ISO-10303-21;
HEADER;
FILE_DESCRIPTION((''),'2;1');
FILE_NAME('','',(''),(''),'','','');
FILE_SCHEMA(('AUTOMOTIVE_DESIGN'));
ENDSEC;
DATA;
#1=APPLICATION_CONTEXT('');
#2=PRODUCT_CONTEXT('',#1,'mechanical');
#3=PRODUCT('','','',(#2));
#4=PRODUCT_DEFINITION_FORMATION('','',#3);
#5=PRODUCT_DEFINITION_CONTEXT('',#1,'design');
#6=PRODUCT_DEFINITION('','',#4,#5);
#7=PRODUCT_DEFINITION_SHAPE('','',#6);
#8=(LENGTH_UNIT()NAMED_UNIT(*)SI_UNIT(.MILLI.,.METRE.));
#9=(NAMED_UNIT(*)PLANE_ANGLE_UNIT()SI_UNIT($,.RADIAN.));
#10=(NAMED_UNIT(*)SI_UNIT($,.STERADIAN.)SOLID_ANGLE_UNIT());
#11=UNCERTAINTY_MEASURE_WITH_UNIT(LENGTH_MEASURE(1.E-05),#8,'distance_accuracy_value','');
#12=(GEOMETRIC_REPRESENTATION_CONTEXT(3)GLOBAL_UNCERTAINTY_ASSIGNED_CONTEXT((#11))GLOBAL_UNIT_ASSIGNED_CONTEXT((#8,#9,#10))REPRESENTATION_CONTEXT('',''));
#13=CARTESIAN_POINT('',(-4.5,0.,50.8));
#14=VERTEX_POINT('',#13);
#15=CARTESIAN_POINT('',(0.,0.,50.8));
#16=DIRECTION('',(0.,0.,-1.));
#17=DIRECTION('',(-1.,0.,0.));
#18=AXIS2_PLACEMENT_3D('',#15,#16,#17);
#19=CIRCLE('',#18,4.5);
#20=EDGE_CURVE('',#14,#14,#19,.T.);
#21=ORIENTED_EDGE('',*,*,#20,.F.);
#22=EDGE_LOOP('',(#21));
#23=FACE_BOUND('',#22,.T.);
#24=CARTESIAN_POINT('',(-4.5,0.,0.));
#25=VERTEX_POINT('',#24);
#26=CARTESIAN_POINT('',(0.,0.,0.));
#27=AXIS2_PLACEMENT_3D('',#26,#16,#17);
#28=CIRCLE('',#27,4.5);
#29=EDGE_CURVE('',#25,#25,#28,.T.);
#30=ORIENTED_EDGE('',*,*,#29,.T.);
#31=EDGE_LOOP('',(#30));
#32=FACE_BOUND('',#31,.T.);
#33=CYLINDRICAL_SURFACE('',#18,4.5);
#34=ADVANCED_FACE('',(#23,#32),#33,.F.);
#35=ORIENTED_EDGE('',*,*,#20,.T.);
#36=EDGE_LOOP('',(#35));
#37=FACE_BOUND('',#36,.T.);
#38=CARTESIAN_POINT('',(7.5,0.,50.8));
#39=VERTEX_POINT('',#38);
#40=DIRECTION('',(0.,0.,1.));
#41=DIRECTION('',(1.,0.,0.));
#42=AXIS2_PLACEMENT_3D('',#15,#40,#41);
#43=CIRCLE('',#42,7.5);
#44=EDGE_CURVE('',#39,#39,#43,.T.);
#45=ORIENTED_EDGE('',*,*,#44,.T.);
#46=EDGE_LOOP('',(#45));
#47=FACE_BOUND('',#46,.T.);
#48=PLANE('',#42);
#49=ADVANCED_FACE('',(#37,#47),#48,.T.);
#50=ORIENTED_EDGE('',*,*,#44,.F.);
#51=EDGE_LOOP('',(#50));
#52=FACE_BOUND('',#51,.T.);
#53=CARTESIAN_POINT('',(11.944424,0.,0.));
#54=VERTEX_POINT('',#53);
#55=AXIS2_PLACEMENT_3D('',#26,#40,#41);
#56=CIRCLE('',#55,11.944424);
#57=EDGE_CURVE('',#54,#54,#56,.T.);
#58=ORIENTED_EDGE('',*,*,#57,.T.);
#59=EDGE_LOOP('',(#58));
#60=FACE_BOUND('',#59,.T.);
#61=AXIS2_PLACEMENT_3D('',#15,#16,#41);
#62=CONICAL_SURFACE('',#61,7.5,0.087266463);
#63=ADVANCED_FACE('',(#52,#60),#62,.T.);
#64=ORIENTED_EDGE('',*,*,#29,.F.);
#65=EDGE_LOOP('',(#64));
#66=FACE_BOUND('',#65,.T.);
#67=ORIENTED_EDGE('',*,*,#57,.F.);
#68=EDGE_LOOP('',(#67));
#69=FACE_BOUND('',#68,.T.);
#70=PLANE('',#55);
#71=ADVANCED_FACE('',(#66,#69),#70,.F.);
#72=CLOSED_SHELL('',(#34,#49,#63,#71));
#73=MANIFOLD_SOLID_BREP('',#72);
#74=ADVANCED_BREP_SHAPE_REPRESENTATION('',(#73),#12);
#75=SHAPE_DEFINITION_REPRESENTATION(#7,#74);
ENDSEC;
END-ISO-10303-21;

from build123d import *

# Parameters (mm, degrees)
SKETCH1_R          = 7.5
BOSS_EXTRUDE_DEPTH = 50.8
DRAFT3_ANGLE       = 5
SKETCH2_R          = 4.5
CUT_EXTRUDE1_DEPTH = 54.534834776


with BuildPart() as part:
    # Sketch1 → Boss-Extrude (new body)
    with BuildSketch(Plane.XY):
        Circle(SKETCH1_R)
    extrude(amount=BOSS_EXTRUDE_DEPTH)

    # Draft3
    draft3_faces = [part.faces().sort_by_distance(p)[0] for p in [
        (-7.5, 0, 25.4),
    ]]
    draft(draft3_faces, Plane.XY.offset(50.8), DRAFT3_ANGLE)

    # Sketch2 → Cut-Extrude1 (cut, through all)
    with BuildSketch(Plane(origin=(0, 0, 0), x_dir=(-1, 0, 0), z_dir=(0, 0, -1))):
        Circle(SKETCH2_R)
    extrude(amount=-CUT_EXTRUDE1_DEPTH, mode=Mode.SUBTRACT)


solid = part.part
